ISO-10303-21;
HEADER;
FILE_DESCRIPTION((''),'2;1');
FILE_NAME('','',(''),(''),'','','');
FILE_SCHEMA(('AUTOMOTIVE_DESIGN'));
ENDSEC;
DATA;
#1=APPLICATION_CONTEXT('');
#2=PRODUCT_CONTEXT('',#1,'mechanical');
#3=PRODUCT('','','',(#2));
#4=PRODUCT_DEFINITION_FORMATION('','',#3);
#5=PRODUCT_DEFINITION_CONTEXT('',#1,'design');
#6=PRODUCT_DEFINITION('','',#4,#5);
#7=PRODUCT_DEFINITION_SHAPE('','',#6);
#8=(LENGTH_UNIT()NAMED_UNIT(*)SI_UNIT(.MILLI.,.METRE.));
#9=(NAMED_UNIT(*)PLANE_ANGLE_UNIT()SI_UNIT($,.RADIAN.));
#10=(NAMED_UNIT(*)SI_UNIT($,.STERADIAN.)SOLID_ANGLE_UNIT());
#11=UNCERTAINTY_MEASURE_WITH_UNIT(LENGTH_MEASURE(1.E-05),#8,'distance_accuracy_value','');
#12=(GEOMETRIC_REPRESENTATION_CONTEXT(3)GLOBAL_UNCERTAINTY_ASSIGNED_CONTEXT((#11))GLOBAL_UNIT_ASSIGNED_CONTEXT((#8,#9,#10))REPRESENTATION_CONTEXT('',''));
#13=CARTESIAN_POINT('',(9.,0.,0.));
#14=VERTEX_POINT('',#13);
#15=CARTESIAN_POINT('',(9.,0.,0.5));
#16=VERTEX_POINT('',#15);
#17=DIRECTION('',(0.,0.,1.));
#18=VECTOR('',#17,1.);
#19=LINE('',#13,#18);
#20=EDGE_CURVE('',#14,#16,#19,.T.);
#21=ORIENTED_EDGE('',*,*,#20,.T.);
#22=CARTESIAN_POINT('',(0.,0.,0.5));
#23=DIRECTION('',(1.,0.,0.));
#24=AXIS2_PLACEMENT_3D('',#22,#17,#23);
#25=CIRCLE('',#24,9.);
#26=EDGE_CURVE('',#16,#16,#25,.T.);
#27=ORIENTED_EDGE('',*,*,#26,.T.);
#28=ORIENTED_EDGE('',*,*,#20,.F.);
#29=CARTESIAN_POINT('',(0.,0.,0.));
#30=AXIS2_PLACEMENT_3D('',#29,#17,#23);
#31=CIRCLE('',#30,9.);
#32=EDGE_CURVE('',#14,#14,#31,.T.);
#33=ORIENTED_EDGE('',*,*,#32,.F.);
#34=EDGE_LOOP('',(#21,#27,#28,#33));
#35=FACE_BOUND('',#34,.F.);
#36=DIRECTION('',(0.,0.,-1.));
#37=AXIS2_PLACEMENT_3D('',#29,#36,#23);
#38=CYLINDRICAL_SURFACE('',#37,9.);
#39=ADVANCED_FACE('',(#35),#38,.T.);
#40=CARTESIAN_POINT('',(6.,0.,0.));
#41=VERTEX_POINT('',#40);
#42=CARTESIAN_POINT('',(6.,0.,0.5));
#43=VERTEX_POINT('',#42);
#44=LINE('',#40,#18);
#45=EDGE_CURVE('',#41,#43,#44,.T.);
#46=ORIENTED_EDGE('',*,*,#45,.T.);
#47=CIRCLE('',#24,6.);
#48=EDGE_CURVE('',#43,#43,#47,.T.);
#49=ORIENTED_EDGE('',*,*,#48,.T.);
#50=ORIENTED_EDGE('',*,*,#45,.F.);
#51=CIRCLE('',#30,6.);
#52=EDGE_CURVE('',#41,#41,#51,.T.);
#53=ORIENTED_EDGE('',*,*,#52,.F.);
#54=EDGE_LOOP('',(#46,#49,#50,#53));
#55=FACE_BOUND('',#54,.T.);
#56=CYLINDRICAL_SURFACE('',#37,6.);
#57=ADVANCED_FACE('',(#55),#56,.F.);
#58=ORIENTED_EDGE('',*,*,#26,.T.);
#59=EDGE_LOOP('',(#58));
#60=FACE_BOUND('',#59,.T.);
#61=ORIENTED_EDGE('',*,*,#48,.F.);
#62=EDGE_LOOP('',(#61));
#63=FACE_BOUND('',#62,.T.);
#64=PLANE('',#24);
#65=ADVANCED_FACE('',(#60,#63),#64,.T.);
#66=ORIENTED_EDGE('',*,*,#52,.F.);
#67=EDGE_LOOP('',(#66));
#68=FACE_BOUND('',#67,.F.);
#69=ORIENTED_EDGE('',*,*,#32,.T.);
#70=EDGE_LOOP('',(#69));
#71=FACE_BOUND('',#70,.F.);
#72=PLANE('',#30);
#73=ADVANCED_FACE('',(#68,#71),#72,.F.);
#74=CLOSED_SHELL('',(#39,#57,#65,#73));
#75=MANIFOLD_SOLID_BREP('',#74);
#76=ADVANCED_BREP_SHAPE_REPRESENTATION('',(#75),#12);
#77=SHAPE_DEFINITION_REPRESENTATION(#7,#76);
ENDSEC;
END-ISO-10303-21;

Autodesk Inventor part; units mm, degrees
ref_plane "YZ Plane" through (0, 0, 0) normal (1, 0, 0) x (0, 1, 0)
ref_plane "XZ Plane" through (0, 0, 0) normal (0, 1, 0) x (-1, 0, 0)
ref_plane "XY Plane" through (0, 0, 0) normal (0, 0, 1) x (1, 0, 0)
sketch "スケッチ1" plane through (0, 0, 0) normal (0, 0, 1) x (1, 0, 0)
  circle A0 centre (0, 0) radius 6
  circle A1 centre (0, 0) radius 9
  dimension "d0" = 12
  dimension "d1" = 18
extrude "押し出し1" add sketch "スケッチ1" along normal blind 0.5
properties part number "ポリスライダ12_0.5" material "アセタール樹脂、黒"
